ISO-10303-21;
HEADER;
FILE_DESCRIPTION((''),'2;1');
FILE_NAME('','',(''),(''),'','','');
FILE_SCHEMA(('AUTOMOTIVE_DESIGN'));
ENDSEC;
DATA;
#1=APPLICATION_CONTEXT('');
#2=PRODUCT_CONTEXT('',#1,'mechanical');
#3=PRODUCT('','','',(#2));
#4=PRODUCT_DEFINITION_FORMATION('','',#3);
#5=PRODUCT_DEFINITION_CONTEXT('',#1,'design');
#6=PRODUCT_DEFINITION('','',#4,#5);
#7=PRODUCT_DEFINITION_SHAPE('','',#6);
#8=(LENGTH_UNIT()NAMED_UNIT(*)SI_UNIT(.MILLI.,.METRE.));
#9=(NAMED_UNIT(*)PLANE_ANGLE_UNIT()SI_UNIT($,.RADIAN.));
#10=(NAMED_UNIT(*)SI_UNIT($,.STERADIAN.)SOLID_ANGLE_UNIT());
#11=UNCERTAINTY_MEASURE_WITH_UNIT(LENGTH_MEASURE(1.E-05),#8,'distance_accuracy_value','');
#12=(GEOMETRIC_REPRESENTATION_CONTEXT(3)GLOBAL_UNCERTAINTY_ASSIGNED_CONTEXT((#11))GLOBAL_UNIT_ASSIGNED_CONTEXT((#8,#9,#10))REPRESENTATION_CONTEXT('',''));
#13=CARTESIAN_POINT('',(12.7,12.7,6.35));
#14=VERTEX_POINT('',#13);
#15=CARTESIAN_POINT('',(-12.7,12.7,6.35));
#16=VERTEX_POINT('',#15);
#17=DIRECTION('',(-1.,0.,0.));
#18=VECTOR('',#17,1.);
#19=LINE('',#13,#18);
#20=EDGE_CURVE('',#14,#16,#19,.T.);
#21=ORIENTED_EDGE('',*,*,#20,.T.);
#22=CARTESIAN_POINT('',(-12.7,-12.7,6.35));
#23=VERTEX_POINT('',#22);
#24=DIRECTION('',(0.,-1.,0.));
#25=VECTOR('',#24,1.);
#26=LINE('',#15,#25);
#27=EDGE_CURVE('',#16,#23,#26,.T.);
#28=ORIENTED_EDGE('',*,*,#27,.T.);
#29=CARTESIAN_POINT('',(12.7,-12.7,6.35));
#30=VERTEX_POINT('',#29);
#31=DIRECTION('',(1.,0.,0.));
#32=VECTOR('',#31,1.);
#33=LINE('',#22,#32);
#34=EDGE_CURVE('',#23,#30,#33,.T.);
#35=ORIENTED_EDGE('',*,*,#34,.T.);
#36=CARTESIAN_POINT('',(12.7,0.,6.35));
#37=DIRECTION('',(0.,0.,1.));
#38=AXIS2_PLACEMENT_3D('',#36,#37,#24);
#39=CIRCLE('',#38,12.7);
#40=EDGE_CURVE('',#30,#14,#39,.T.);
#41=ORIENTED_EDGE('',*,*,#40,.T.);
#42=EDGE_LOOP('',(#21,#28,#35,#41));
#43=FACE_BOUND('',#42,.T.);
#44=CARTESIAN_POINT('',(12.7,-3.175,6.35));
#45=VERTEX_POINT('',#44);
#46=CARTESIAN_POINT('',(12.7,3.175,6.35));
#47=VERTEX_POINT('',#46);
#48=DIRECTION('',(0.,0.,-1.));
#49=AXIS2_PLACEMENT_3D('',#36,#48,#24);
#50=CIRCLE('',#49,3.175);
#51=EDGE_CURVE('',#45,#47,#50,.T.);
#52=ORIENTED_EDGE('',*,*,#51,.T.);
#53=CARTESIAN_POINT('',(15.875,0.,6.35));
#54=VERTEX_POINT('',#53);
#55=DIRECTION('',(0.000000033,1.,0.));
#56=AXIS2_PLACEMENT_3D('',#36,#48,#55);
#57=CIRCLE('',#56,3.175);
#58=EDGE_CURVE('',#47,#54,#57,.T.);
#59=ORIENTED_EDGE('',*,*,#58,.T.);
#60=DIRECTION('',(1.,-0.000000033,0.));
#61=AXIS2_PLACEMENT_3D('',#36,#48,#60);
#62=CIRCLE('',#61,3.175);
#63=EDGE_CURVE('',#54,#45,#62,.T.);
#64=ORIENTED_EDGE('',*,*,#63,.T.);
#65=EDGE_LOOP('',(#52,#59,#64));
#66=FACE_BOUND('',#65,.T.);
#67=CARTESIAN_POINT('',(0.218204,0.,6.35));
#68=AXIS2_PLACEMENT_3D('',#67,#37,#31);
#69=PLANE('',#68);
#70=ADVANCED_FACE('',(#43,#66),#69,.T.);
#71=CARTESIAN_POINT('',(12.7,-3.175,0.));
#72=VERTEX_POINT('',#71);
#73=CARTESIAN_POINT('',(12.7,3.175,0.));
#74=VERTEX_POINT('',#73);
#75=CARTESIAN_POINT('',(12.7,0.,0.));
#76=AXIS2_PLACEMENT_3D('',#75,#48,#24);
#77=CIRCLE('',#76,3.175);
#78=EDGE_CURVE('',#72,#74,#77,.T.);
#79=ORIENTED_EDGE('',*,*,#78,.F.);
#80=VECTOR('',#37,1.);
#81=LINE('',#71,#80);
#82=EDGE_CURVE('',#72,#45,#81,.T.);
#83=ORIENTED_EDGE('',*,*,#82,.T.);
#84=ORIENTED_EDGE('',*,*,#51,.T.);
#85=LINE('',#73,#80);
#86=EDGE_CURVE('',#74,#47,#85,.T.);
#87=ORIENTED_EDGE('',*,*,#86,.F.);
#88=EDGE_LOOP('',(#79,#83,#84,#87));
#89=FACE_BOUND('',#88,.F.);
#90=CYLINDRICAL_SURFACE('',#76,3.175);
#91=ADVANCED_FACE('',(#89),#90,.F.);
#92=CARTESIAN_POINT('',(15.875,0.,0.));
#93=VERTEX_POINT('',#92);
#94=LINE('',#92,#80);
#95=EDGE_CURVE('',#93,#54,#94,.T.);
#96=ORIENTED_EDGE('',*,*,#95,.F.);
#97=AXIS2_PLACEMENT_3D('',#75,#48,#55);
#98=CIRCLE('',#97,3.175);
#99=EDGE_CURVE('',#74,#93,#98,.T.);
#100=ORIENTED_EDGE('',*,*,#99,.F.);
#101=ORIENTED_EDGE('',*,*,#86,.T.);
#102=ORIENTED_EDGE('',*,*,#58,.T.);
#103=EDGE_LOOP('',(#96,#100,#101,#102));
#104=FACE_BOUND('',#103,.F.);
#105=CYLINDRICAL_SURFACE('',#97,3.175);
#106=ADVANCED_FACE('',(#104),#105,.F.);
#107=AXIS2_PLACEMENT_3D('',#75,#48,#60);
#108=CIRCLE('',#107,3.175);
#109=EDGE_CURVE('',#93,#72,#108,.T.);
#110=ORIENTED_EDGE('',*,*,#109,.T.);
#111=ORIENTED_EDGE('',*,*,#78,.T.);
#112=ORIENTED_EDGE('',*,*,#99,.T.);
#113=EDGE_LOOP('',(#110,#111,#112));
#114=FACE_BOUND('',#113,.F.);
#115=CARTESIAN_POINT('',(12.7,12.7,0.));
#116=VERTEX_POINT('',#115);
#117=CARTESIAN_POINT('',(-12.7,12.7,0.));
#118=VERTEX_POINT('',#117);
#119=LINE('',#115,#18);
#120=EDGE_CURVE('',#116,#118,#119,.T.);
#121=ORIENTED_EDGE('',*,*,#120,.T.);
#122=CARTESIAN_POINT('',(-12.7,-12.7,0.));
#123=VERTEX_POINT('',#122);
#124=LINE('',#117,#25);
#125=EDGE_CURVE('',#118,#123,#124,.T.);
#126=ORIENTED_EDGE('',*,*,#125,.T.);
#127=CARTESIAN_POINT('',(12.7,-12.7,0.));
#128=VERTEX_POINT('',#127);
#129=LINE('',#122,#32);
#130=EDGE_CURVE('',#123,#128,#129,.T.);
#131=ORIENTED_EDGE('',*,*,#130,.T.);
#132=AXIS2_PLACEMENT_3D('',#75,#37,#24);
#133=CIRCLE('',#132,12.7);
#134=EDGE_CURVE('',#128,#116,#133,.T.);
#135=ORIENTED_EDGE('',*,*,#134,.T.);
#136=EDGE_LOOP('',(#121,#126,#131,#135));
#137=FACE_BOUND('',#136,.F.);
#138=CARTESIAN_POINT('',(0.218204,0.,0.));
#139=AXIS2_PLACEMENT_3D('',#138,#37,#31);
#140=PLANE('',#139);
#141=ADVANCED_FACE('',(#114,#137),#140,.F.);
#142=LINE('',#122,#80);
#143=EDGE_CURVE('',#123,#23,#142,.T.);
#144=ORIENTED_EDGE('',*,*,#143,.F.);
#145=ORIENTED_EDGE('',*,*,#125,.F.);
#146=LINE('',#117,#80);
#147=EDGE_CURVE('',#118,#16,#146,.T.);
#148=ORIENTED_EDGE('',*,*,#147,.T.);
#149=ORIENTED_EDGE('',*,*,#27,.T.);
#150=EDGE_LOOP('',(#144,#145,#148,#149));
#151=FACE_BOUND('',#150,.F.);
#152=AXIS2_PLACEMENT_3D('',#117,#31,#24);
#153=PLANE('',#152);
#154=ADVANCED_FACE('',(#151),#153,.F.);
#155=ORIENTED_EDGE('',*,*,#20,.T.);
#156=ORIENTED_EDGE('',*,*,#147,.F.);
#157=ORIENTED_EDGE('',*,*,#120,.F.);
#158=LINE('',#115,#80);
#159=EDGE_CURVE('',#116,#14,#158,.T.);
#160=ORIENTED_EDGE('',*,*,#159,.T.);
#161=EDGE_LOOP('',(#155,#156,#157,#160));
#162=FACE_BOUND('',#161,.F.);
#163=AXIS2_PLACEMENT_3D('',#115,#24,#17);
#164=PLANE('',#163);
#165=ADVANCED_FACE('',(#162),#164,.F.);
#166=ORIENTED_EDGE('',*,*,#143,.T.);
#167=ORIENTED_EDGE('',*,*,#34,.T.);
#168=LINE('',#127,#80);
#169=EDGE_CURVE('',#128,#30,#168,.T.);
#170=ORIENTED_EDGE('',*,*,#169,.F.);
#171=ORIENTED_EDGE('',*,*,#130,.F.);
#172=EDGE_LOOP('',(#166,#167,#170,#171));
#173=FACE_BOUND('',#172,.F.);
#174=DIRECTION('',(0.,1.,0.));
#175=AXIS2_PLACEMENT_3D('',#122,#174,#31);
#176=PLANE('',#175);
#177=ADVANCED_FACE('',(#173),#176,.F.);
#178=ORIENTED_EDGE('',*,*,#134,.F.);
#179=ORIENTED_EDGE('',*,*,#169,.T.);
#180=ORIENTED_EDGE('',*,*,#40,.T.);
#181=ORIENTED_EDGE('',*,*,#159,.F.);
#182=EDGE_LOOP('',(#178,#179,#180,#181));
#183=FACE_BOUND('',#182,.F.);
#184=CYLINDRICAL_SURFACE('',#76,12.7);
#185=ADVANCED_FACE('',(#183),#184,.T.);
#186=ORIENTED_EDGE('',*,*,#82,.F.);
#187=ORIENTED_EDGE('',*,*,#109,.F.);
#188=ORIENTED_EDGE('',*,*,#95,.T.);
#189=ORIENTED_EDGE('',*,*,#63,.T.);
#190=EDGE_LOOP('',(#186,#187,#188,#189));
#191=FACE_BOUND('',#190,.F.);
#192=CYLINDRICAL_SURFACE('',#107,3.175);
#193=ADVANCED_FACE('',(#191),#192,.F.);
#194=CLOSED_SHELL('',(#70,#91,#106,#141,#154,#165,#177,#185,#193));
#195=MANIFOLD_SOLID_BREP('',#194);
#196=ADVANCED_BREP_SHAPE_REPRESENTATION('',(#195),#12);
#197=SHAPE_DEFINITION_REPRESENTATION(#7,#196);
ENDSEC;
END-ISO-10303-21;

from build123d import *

# Parameters (mm, degrees)
F1_DEPTH = 6.35


with BuildPart() as f1:
    # F0 (on Top) → F1 (new body)
    with BuildSketch(Plane.XY):
        with BuildLine():
            Line((-12.7, 12.7), (-12.7, -12.7))
            Line((-12.7, -12.7), (12.7, -12.7))
            Line((12.7, -12.7), (12.7, -3.175))
            ThreePointArc((12.7, -3.175), (9.525, 0), (12.7, 3.175))
            Line((12.7, 3.175), (12.7, 12.7))
            Line((12.7, 12.7), (-12.7, 12.7))
        make_face()
        with BuildLine():
            Line((12.7, -3.175), (12.7, -12.7))
            ThreePointArc((12.7, -12.7), (25.4, 0), (12.7, 12.7))
            Line((12.7, 12.7), (12.7, 3.175))
            ThreePointArc((12.7, 3.175), (14.945064, 2.245064), (15.875, 0))
            ThreePointArc((15.875, 0), (14.945064, -2.245064), (12.7, -3.175))
        make_face()
    extrude(amount=F1_DEPTH)


solid = f1.part
